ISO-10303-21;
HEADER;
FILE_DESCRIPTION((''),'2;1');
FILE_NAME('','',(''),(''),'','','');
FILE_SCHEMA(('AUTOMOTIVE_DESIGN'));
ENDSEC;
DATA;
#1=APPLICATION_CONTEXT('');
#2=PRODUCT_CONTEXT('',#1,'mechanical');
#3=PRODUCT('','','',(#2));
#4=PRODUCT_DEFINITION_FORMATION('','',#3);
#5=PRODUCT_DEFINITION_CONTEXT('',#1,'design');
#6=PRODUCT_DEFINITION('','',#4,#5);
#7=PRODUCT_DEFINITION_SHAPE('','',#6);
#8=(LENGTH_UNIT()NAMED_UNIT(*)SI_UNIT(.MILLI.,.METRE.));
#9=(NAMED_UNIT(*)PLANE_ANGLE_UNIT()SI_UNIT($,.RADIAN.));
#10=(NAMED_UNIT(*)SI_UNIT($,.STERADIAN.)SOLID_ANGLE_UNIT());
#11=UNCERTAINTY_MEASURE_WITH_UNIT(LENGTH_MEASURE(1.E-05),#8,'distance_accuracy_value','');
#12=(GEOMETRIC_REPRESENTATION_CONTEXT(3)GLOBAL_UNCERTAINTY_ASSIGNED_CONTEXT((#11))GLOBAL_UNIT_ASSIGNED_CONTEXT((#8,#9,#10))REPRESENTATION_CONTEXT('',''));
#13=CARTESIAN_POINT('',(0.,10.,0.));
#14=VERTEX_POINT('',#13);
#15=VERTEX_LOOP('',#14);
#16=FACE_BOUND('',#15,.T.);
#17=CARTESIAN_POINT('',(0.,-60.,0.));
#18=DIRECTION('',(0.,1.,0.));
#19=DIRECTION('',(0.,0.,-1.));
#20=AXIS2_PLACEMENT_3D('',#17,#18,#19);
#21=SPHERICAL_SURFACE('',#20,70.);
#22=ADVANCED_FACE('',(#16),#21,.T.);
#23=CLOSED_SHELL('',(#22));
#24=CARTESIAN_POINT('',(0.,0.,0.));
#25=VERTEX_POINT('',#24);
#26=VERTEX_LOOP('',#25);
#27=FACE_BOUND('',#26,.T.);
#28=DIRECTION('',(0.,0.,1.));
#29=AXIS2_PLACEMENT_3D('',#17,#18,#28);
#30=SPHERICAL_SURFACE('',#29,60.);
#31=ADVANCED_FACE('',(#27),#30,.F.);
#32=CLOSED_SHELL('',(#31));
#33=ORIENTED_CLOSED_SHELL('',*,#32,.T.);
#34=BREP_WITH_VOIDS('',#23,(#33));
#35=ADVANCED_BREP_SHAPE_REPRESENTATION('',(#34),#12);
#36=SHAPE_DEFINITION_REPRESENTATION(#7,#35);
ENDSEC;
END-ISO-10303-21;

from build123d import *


with BuildPart() as part:
    # 草圖1 → 旋轉1 (revolve)
    with BuildSketch(Plane(origin=(0, 0, 0), x_dir=(0, 0, -1), z_dir=(1, 0, 0))):
        with BuildLine():
            Line((0, 10), (0, 0))
            ThreePointArc((0, 0), (60, -60), (0, -120))
            Line((0, -120), (0, -130))
            ThreePointArc((0, -130), (70, -60), (0, 10))
        make_face()
    revolve(axis=Axis((0, 69.724802602, 0), (0, -1, 0)))


solid = part.part
